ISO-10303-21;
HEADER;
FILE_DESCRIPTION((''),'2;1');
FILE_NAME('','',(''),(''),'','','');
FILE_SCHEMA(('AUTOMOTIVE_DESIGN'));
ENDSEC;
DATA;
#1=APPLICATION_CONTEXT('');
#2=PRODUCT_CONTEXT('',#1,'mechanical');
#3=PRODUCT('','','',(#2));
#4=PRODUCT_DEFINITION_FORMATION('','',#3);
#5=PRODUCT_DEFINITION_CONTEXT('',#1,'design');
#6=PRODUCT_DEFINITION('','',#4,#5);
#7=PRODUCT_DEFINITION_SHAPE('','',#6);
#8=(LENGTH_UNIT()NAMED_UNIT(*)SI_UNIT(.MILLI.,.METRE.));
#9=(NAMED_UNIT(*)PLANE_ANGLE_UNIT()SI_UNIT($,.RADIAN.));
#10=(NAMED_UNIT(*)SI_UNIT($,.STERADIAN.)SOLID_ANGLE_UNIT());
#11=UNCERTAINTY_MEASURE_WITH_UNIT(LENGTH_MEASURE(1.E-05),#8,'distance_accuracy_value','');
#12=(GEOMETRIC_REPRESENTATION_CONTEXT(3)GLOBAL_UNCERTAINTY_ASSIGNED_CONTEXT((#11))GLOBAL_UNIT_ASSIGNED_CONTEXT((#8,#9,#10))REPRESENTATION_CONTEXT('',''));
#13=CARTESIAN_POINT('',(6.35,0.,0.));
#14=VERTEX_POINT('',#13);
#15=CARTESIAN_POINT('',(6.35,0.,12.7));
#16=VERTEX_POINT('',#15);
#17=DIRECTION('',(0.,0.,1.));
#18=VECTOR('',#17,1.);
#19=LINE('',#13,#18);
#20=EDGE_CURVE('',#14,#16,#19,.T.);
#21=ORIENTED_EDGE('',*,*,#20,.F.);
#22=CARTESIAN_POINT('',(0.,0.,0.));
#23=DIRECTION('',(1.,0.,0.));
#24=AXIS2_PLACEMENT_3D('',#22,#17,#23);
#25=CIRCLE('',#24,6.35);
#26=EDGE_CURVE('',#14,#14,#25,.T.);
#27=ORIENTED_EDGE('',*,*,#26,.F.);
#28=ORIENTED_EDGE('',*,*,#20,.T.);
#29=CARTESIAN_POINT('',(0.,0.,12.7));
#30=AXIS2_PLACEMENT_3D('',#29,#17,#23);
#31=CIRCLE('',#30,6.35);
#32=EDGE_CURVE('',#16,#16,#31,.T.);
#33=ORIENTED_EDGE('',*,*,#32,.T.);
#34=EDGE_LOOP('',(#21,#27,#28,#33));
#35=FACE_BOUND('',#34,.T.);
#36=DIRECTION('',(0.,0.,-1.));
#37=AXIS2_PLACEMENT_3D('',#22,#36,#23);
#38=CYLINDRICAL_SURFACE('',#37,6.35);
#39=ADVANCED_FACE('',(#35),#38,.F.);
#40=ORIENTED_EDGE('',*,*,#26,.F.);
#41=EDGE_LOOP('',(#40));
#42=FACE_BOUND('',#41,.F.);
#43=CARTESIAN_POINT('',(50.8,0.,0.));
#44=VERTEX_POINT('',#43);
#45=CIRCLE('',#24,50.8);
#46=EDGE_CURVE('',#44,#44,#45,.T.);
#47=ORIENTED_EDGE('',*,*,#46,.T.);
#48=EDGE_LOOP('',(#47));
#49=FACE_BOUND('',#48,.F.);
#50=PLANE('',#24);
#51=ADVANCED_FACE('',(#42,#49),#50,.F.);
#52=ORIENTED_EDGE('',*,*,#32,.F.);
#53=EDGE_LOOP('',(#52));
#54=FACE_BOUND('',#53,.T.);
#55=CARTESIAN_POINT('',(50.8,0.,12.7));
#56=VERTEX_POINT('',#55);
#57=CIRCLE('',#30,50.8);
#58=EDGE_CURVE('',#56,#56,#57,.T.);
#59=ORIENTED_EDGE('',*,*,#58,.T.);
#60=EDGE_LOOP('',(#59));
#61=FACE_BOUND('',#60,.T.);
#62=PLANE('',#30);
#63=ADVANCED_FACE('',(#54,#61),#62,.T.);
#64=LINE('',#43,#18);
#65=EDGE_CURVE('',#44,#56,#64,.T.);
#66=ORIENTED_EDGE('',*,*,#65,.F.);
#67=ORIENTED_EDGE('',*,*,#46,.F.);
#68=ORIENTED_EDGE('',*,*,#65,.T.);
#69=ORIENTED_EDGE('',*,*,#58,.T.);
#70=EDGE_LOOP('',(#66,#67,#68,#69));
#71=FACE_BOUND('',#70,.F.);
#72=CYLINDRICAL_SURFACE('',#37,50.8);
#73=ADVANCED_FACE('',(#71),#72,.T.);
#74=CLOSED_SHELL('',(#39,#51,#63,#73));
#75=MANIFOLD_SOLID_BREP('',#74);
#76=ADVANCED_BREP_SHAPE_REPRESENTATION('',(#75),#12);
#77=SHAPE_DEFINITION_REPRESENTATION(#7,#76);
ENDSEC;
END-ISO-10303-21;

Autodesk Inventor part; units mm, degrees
ref_plane "XY Plane" through (0, 0, 0) normal (0, 0, 1) x (1, 0, 0)
sketch "Sketch1" plane through (0, 0, 0) normal (0, 0, 1) x (1, 0, 0)
  circle A0 centre (0, 0) radius 6.35
  circle A1 centre (0, 0) radius 50.8
  dimension "d0" = 12.7
  dimension "d1" = 101.6
extrude "Extrusion1" add sketch "Sketch1" along normal blind 12.7
ref_plane "Work Plane1" through (50.8, 0, 0) normal (1, 0, 0) x (0, 1, 0)
ref_plane "Work Plane2" through (-50.8, 0, 0) normal (1, 0, 0) x (0, 1, 0)
ref_plane "Work Plane3" through (0, 50.8, 0) normal (0, 1, 0) x (-1, 0, 0)
ref_plane "Work Plane4" through (0, -50.8, 0) normal (0, 1, 0) x (-1, 0, 0)
properties part number "Intake Roller"
